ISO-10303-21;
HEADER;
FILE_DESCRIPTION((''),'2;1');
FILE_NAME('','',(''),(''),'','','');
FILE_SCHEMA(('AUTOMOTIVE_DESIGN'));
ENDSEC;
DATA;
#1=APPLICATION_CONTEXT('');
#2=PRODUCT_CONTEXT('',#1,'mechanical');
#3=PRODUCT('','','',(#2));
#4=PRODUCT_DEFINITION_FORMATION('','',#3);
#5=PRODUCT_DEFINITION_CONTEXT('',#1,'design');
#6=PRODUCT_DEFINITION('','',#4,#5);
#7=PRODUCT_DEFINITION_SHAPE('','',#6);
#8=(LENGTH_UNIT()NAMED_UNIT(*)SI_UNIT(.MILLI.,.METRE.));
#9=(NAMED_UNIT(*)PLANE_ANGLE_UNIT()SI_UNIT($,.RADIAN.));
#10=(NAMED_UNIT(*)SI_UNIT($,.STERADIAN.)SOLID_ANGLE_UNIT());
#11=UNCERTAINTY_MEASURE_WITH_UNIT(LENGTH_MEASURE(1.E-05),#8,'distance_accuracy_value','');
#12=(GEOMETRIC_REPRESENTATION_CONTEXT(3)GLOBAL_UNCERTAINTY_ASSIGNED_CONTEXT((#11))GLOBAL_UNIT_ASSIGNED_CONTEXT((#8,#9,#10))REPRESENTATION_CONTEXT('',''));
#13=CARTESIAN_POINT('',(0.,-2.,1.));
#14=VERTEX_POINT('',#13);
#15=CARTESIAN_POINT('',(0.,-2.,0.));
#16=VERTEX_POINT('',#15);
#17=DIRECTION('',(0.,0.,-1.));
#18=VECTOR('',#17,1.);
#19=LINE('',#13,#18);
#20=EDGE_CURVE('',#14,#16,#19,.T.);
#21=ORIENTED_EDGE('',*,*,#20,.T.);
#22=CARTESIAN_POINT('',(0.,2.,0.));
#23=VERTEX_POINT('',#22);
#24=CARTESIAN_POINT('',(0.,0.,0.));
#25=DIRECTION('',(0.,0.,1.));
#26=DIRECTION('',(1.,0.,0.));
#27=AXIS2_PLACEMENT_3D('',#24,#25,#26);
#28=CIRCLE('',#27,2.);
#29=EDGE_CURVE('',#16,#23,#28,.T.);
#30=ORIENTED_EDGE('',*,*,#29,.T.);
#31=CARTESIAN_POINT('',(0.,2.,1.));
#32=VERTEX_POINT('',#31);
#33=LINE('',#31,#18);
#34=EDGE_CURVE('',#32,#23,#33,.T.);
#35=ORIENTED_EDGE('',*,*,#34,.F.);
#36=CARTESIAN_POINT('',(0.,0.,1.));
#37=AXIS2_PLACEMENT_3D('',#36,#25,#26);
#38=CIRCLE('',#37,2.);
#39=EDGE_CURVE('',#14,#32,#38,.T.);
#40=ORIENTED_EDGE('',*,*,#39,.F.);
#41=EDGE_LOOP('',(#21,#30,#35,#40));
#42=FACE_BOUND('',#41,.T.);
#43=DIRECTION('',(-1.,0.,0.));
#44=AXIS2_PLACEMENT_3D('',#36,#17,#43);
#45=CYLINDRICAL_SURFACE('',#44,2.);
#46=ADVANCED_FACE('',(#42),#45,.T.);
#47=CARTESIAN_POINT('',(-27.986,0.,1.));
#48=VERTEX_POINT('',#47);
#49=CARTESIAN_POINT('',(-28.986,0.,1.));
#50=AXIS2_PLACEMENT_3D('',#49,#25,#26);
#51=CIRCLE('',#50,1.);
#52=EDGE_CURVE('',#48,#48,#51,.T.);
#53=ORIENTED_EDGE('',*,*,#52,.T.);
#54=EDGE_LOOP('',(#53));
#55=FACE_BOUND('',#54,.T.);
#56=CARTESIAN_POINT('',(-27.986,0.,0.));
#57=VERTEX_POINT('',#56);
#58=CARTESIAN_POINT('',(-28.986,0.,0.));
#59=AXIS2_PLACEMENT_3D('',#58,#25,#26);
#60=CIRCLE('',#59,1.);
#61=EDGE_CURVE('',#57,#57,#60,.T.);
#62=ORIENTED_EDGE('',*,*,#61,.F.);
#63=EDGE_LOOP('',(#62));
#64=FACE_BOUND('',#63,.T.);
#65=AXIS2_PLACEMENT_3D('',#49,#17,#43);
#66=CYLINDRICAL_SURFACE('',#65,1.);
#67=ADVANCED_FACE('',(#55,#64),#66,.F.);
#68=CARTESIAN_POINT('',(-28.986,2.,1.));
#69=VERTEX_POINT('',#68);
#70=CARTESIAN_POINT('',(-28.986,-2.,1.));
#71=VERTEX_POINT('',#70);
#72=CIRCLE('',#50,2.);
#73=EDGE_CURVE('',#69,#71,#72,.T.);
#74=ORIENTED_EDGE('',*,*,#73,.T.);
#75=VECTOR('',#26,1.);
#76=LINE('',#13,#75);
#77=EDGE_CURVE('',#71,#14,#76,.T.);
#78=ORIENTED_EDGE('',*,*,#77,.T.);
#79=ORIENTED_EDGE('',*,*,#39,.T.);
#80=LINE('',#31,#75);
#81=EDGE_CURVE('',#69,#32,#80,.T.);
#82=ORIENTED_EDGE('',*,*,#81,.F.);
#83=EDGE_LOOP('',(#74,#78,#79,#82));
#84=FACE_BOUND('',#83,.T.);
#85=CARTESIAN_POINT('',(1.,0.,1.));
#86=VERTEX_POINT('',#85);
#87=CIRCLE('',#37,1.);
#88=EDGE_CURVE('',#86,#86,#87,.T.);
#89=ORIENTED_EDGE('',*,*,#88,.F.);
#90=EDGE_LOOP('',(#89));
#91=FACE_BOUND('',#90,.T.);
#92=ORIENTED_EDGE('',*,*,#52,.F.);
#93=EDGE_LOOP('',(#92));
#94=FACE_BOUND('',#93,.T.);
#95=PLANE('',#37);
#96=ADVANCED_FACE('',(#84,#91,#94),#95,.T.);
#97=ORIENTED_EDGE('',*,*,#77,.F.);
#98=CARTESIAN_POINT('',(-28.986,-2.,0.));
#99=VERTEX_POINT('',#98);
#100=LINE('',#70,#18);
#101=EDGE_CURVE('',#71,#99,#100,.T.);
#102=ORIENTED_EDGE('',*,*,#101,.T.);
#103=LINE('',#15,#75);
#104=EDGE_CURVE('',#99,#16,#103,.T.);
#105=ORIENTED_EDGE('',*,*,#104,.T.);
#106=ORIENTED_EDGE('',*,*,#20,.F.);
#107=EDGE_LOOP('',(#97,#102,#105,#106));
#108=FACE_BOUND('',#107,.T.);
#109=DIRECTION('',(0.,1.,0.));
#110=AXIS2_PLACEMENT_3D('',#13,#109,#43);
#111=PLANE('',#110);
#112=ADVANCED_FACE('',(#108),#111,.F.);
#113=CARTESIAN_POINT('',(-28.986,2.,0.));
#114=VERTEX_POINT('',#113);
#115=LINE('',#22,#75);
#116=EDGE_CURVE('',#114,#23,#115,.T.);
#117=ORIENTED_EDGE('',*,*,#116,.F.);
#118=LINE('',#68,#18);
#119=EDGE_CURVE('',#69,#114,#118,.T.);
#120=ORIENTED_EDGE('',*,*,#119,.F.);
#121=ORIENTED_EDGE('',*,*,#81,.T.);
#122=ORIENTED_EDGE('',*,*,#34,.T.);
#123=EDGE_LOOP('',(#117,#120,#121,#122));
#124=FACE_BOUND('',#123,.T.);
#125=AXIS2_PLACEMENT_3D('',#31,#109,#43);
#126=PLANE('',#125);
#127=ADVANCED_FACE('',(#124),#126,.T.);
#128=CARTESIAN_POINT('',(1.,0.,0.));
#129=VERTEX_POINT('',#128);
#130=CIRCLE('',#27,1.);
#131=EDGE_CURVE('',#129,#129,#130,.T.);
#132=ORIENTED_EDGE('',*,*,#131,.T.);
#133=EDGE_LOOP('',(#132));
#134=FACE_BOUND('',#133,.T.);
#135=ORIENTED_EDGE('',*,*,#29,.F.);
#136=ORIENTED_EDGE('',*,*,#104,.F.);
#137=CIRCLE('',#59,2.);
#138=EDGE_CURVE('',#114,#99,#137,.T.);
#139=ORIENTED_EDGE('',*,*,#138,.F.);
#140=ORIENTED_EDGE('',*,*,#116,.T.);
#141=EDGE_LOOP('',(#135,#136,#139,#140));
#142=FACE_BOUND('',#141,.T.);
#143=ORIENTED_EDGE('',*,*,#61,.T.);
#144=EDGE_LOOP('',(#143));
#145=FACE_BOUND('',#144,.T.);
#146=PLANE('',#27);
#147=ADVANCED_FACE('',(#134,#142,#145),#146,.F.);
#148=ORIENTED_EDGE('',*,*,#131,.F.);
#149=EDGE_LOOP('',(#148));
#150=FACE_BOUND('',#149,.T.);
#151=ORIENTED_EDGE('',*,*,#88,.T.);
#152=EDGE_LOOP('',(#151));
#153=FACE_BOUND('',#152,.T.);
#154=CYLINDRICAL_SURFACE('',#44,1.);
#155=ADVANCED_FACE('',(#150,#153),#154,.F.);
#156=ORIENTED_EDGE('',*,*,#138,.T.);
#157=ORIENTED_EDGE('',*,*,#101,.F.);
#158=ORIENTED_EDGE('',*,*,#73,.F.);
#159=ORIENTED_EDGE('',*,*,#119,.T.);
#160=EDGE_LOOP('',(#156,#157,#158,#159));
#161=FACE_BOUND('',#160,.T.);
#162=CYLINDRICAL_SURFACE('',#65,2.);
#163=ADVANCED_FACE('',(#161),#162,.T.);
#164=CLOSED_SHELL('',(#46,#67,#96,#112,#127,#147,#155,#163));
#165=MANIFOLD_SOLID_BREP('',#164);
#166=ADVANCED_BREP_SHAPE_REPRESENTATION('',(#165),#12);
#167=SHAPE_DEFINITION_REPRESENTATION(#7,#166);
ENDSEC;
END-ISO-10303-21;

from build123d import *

# Parameters (mm, degrees)
SKETCH1_R      = 1
EXTRUDE1_DEPTH = 1


with BuildPart() as part:
    # Sketch1 → Extrude1 (new body)
    with BuildSketch(Plane.XY):
        with BuildLine():
            Line((0, 2), (-28.986, 2))
            ThreePointArc((-28.986, 2), (-30.986, 0), (-28.986, -2))
            Line((-28.986, -2), (0, -2))
            ThreePointArc((0, -2), (2, 0), (0, 2))
        make_face()
        with Locations((-28.986, 0)):
            Circle(SKETCH1_R, mode=Mode.SUBTRACT)
        Circle(SKETCH1_R, mode=Mode.SUBTRACT)
    extrude(amount=EXTRUDE1_DEPTH)


solid = part.part
